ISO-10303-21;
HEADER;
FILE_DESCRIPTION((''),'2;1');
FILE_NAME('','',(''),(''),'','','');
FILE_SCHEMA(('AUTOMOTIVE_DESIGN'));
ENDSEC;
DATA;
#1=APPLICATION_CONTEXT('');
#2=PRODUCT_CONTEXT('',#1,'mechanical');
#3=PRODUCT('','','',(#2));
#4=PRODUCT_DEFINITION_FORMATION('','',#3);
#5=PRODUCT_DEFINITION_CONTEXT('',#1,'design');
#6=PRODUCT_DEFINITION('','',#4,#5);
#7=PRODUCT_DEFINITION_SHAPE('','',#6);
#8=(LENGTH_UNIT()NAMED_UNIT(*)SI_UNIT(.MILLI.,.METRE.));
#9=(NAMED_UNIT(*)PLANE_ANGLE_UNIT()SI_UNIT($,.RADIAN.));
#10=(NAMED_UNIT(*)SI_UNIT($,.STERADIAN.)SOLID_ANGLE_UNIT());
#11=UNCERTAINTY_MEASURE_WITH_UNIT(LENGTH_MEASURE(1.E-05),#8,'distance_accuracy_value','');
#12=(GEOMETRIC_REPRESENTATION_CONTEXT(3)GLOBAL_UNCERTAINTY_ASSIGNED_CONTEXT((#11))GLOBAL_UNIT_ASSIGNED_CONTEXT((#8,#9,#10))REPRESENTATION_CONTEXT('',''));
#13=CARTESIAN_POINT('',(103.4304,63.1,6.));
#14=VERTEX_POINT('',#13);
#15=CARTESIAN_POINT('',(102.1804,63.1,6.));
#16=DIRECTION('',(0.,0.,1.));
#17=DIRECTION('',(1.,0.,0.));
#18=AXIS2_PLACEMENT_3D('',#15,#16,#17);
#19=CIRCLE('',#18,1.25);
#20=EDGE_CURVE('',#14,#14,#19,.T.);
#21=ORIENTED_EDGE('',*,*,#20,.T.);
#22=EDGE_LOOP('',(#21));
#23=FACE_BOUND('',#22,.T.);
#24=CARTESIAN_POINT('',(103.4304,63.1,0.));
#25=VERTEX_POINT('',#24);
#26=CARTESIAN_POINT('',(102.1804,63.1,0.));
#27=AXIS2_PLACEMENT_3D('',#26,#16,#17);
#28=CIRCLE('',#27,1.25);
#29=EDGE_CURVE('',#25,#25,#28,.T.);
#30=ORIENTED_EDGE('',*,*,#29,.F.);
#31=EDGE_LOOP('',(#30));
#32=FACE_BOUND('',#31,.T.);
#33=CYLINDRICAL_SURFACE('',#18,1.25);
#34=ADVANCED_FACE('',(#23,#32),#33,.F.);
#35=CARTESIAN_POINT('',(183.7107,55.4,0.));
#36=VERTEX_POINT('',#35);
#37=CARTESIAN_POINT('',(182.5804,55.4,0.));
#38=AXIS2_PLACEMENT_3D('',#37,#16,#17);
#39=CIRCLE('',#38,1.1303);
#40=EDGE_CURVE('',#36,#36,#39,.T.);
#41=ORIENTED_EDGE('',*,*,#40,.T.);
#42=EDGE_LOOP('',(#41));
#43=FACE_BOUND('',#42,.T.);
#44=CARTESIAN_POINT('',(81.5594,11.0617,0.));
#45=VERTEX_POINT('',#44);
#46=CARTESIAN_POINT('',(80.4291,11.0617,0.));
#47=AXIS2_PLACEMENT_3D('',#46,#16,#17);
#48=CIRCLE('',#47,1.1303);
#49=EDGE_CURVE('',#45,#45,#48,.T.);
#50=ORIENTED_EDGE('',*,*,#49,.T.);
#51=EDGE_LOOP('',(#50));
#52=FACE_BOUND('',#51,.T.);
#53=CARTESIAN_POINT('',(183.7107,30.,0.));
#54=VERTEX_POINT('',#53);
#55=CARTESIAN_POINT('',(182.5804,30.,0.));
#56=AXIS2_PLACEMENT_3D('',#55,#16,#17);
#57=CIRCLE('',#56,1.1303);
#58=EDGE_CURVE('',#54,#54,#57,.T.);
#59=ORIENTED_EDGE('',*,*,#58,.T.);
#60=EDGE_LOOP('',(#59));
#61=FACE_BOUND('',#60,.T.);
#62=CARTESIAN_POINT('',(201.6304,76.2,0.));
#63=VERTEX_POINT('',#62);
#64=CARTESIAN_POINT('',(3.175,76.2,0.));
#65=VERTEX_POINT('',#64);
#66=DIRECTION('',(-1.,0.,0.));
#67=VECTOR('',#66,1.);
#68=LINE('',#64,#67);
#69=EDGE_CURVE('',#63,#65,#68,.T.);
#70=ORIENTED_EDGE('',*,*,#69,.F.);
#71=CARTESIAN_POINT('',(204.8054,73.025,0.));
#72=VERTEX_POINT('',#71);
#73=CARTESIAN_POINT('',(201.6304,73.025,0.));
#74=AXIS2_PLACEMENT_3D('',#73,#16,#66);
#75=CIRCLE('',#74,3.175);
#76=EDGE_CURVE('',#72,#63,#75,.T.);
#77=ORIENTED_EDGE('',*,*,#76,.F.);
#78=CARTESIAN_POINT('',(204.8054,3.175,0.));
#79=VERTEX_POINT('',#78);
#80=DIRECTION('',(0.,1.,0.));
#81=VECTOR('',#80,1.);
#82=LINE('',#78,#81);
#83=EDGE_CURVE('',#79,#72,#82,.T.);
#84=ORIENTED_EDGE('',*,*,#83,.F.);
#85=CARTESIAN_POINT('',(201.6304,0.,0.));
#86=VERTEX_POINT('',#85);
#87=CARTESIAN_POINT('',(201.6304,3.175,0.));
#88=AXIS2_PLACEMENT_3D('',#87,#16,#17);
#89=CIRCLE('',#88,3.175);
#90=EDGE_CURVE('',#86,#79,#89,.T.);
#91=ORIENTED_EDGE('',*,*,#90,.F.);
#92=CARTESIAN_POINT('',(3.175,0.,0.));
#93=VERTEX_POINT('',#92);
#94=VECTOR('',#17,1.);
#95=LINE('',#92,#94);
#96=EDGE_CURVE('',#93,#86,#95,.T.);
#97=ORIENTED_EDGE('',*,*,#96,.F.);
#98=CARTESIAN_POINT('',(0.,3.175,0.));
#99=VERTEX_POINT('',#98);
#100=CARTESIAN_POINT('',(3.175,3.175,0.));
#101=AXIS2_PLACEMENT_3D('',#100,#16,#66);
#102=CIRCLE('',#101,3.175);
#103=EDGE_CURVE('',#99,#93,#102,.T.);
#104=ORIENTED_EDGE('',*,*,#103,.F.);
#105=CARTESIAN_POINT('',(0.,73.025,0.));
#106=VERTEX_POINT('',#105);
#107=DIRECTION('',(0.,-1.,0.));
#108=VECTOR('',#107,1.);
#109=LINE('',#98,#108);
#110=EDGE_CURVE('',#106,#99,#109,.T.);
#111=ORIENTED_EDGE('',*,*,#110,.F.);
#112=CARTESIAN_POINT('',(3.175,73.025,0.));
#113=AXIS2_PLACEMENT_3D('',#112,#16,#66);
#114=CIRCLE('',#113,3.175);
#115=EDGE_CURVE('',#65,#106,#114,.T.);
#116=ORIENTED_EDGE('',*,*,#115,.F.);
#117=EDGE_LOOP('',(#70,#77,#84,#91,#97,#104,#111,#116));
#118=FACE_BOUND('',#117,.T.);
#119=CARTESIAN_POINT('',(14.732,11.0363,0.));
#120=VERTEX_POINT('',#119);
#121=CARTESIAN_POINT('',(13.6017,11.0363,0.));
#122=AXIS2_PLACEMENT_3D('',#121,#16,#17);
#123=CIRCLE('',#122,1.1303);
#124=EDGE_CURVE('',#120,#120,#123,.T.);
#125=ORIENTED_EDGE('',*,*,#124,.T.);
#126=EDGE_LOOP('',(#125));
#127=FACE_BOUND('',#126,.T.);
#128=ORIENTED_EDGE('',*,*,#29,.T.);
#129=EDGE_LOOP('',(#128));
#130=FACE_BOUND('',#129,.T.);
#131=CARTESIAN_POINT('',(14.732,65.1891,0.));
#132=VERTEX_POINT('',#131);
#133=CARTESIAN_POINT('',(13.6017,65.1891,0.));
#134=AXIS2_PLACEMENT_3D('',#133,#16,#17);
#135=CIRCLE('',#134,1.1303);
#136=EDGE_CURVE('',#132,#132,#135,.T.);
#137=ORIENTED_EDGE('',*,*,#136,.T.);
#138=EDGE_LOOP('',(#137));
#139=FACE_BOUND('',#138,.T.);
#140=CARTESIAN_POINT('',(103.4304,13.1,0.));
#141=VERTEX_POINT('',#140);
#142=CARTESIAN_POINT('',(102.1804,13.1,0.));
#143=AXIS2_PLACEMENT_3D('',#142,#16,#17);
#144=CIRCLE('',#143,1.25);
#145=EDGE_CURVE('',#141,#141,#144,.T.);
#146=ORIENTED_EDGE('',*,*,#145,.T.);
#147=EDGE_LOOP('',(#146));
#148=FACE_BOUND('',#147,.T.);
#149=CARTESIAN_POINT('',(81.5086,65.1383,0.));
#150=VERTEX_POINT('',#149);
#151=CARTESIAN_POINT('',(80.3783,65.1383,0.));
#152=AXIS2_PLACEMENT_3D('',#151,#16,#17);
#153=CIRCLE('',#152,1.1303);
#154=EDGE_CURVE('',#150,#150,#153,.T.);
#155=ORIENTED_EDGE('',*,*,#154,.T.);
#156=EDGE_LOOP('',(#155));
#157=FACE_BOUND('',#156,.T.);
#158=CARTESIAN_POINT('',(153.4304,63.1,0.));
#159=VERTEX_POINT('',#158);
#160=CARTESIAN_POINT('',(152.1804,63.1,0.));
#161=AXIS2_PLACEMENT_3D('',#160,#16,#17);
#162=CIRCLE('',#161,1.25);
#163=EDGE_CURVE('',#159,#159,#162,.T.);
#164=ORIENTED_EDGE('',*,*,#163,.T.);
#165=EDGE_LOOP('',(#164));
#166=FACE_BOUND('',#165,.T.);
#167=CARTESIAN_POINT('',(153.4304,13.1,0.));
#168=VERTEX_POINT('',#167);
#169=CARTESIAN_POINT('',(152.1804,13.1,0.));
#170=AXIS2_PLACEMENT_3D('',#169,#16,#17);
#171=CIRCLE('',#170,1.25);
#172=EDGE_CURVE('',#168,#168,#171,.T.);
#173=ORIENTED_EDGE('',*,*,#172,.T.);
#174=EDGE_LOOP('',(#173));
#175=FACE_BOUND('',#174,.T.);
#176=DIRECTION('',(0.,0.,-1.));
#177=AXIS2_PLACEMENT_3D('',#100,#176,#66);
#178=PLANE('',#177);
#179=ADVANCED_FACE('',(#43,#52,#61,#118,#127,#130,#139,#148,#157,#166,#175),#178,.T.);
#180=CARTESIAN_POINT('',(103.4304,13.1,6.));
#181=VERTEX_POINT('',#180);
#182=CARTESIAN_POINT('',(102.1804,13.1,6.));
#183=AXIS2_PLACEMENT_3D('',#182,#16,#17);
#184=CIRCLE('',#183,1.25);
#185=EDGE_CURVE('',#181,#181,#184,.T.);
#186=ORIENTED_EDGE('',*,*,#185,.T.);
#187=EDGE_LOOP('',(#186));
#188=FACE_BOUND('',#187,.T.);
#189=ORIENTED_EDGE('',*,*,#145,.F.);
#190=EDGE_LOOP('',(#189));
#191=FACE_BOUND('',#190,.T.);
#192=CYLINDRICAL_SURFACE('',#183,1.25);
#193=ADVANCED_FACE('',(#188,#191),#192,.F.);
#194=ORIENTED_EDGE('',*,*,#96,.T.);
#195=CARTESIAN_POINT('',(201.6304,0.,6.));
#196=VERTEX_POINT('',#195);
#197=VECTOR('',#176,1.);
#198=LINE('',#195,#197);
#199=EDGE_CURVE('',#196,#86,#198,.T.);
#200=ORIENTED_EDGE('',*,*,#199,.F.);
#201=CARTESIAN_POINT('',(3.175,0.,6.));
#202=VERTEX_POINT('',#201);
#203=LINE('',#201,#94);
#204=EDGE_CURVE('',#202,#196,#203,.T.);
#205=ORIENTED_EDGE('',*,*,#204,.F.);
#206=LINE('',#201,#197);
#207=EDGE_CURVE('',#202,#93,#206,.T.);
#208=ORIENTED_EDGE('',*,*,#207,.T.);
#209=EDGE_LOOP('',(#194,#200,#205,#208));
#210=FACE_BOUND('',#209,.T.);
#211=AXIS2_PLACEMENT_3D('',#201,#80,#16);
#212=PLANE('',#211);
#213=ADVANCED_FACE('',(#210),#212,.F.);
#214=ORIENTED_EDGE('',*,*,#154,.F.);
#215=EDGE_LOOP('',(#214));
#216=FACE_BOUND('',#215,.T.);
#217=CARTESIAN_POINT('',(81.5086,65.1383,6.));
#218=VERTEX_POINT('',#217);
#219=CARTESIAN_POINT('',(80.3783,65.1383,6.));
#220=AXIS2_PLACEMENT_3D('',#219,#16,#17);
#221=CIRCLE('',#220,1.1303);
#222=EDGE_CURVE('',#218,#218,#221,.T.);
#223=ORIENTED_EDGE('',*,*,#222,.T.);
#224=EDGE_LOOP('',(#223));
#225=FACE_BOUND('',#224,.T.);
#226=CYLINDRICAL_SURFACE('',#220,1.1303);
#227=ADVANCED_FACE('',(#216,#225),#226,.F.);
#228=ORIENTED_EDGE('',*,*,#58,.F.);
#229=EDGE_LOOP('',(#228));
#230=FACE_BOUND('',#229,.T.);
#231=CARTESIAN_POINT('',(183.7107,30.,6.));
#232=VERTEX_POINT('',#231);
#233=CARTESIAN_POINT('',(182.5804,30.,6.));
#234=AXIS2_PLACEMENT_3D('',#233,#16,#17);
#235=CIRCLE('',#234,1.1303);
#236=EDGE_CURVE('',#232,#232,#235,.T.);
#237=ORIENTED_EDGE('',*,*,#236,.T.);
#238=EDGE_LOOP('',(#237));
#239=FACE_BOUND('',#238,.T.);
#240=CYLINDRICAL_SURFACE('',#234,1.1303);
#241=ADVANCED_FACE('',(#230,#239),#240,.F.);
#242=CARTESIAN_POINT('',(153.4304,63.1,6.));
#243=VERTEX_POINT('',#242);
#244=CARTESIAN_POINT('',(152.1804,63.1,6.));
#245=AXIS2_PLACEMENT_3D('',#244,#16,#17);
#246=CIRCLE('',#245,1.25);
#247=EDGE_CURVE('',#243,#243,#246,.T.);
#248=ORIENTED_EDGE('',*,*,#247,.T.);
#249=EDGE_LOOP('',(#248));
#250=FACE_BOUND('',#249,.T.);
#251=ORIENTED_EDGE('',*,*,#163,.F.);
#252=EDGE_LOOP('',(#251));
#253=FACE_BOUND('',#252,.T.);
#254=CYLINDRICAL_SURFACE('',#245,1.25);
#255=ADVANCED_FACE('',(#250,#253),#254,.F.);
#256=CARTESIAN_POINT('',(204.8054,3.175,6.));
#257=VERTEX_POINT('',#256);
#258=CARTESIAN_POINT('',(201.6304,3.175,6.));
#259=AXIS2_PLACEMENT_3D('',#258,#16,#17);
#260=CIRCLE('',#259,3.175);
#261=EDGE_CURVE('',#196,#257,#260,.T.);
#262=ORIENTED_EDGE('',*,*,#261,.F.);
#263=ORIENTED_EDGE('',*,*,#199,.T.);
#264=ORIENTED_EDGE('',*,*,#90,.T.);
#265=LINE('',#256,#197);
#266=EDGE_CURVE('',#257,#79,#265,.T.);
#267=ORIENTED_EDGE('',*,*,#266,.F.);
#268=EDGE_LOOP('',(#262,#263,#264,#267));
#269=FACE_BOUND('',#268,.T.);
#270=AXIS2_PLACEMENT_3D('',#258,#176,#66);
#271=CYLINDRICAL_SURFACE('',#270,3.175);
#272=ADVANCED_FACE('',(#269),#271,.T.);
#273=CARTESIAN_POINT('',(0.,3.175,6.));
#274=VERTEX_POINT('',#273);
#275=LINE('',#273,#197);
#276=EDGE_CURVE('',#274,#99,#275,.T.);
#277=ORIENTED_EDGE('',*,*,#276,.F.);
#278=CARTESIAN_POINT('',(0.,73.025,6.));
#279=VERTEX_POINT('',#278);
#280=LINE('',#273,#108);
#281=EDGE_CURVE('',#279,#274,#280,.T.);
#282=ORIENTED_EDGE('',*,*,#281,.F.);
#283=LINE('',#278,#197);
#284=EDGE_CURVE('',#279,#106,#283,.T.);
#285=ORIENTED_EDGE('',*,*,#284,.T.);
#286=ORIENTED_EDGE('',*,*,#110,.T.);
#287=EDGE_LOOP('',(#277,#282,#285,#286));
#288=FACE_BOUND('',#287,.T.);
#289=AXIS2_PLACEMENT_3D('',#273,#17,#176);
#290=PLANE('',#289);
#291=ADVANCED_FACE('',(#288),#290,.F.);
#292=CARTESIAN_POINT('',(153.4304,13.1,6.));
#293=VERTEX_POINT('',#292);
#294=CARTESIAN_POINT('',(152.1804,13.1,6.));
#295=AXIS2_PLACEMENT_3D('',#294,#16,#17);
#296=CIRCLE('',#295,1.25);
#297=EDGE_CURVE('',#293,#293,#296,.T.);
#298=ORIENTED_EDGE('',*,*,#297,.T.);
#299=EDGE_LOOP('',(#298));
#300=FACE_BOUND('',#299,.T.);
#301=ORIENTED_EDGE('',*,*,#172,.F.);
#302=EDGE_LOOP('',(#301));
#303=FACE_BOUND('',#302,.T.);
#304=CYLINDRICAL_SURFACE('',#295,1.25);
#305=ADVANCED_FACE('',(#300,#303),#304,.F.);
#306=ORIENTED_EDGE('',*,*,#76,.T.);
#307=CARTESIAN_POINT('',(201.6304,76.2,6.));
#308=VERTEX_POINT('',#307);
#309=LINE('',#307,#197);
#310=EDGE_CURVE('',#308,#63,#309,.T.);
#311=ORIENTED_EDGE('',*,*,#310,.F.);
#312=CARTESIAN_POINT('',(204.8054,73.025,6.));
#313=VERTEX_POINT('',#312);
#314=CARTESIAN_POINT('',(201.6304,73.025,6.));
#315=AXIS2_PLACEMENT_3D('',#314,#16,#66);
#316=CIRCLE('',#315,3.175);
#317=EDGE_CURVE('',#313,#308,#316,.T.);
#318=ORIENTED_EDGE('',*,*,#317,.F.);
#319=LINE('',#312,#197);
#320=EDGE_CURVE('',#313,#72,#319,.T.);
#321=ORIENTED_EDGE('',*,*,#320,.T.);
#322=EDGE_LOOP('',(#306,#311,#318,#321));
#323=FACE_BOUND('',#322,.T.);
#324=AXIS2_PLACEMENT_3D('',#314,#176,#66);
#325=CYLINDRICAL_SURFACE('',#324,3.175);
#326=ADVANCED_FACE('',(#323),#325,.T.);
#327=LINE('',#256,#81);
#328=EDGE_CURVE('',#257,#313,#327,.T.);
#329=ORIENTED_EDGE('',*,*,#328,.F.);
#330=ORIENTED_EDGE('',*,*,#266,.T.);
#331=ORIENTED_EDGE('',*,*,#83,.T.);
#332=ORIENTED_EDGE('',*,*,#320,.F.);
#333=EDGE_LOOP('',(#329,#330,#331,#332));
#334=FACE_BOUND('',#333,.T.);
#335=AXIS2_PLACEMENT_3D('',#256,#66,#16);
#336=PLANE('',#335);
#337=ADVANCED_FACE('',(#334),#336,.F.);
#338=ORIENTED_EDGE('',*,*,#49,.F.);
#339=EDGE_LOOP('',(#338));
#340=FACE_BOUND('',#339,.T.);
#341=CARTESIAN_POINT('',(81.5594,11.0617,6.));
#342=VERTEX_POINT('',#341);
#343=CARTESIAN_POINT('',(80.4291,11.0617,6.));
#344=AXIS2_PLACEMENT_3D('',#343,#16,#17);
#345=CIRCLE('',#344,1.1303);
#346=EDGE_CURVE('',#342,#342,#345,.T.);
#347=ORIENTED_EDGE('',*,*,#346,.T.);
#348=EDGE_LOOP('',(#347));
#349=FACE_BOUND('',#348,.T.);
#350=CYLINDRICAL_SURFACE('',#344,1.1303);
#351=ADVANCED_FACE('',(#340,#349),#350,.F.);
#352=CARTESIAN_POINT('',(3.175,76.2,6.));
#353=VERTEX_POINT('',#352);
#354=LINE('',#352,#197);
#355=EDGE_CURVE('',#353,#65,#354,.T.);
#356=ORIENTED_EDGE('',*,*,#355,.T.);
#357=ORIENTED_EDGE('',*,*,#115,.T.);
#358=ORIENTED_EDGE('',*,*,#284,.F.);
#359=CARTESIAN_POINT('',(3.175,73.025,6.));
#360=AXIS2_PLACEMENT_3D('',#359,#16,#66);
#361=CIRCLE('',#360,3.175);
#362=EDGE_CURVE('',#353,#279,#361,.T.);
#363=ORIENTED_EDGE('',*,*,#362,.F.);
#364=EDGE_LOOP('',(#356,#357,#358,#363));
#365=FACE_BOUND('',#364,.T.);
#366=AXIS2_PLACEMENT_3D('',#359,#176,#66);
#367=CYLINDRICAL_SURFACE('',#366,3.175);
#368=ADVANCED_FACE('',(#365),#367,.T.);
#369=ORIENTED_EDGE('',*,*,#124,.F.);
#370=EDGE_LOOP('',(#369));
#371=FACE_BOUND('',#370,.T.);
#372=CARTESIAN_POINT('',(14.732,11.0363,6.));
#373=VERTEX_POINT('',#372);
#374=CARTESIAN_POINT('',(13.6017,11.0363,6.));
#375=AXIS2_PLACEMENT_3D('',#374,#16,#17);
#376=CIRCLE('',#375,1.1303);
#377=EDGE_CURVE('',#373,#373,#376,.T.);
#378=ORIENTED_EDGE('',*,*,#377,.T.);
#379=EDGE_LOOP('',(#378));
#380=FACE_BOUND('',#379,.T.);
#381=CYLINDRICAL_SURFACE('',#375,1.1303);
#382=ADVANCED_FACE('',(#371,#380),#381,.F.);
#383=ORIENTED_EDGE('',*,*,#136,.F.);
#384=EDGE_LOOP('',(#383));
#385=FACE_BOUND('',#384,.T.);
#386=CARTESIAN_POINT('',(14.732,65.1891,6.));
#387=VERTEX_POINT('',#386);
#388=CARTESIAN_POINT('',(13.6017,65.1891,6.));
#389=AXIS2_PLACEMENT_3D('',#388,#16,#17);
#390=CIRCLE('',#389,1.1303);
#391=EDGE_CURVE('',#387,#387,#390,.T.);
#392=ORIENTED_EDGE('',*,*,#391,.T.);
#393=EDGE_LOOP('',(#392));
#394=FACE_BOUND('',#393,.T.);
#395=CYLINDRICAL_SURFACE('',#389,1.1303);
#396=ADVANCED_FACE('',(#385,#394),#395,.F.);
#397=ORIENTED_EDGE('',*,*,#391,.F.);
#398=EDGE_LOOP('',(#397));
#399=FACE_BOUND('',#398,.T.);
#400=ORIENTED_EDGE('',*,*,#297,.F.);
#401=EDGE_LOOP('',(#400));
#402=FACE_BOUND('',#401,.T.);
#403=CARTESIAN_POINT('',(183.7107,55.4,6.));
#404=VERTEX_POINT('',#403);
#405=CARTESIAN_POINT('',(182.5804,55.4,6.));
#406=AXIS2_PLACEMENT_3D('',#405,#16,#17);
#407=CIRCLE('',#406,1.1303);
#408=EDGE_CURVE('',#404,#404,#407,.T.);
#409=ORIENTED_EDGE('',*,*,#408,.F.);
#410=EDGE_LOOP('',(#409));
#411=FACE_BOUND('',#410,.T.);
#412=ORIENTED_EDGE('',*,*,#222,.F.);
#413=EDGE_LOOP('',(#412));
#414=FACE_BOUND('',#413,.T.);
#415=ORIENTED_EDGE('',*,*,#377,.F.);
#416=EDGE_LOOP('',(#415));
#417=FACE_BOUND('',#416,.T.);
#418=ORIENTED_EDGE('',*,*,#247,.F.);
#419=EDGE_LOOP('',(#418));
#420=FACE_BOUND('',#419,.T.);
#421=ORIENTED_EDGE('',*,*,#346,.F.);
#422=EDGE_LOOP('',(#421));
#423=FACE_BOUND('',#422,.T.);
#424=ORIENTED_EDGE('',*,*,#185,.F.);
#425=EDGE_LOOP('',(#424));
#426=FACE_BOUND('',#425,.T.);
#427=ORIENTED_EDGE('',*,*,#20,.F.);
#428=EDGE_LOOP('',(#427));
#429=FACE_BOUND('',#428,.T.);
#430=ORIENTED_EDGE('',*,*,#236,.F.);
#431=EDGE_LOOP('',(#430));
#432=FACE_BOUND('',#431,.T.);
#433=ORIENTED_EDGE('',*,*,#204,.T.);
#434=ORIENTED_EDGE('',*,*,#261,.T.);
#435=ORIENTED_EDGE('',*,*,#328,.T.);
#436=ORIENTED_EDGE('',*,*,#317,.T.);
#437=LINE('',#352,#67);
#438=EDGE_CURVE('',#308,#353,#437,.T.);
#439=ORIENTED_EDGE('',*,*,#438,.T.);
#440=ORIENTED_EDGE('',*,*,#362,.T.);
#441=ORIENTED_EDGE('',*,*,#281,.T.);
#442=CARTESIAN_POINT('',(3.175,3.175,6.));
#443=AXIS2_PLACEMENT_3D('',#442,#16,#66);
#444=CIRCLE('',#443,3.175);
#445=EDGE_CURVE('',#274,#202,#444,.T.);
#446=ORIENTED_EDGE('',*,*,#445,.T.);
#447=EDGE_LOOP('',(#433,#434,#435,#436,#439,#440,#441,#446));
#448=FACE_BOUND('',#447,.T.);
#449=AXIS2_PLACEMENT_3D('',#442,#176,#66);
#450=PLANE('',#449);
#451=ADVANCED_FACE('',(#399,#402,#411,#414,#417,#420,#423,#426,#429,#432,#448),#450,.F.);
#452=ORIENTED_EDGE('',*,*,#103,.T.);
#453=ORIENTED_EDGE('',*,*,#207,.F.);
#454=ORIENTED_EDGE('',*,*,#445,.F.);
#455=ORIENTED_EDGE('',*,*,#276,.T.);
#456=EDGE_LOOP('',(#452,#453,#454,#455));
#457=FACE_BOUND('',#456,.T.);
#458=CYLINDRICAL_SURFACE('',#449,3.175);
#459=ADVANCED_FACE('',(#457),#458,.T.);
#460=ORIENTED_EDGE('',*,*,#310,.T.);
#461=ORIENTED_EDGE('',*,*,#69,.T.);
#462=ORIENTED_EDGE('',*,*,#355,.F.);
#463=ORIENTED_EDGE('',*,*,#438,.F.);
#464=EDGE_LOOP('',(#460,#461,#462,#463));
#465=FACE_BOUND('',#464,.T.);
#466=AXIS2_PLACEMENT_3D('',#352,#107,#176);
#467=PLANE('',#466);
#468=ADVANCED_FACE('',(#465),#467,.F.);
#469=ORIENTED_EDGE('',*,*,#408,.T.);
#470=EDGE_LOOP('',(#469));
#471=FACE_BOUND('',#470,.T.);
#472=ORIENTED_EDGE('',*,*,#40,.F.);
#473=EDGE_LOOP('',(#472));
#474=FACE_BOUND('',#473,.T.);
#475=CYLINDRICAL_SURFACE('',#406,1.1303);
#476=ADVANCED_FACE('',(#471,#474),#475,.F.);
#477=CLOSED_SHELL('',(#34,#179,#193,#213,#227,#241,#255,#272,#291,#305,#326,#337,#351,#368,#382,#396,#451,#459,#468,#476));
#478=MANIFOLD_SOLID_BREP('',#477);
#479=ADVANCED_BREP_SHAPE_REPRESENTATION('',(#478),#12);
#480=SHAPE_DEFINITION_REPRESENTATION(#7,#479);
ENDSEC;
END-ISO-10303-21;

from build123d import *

# Parameters (mm, degrees)
BOSS_EXTRUDE1_DEPTH   = 6
F_4_40_TAPPED_HOLE1_D = 2.2606
M3X0_5_TAPPED_HOLE1_D = 2.5


with BuildPart() as part:
    # Sketch1 → Boss-Extrude1 (new body)
    with BuildSketch(Plane.XY):
        with BuildLine():
            Line((3.175, 0), (201.6304, 0))
            ThreePointArc((201.6304, 0), (203.87546403, 0.92993597), (204.8054, 3.175))
            Line((204.8054, 3.175), (204.8054, 73.025))
            ThreePointArc((204.8054, 73.025), (203.87546403, 75.27006403), (201.6304, 76.2))
            Line((201.6304, 76.2), (3.175, 76.2))
            ThreePointArc((3.175, 76.2), (0.92993597, 75.27006403), (0, 73.025))
            Line((0, 73.025), (0, 3.175))
            ThreePointArc((0, 3.175), (0.92993597, 0.92993597), (3.175, 0))
        make_face()
    extrude(amount=BOSS_EXTRUDE1_DEPTH)

    # #4-40 Tapped Hole1 (through all)
    with Locations(Plane.XY.offset(6)):
        with Locations((13.6017, 65.1891), (13.6017, 11.0363), (80.4291, 11.0617), (80.3783, 65.1383), (182.5804, 30), (182.5804, 55.4)):
            Hole(F_4_40_TAPPED_HOLE1_D / 2)

    # M3x0.5 Tapped Hole1 (through all)
    with Locations(Plane.XY.offset(6)):
        with Locations((102.1804, 63.1), (152.1804, 63.1), (152.1804, 13.1), (102.1804, 13.1)):
            Hole(M3X0_5_TAPPED_HOLE1_D / 2)


solid = part.part
